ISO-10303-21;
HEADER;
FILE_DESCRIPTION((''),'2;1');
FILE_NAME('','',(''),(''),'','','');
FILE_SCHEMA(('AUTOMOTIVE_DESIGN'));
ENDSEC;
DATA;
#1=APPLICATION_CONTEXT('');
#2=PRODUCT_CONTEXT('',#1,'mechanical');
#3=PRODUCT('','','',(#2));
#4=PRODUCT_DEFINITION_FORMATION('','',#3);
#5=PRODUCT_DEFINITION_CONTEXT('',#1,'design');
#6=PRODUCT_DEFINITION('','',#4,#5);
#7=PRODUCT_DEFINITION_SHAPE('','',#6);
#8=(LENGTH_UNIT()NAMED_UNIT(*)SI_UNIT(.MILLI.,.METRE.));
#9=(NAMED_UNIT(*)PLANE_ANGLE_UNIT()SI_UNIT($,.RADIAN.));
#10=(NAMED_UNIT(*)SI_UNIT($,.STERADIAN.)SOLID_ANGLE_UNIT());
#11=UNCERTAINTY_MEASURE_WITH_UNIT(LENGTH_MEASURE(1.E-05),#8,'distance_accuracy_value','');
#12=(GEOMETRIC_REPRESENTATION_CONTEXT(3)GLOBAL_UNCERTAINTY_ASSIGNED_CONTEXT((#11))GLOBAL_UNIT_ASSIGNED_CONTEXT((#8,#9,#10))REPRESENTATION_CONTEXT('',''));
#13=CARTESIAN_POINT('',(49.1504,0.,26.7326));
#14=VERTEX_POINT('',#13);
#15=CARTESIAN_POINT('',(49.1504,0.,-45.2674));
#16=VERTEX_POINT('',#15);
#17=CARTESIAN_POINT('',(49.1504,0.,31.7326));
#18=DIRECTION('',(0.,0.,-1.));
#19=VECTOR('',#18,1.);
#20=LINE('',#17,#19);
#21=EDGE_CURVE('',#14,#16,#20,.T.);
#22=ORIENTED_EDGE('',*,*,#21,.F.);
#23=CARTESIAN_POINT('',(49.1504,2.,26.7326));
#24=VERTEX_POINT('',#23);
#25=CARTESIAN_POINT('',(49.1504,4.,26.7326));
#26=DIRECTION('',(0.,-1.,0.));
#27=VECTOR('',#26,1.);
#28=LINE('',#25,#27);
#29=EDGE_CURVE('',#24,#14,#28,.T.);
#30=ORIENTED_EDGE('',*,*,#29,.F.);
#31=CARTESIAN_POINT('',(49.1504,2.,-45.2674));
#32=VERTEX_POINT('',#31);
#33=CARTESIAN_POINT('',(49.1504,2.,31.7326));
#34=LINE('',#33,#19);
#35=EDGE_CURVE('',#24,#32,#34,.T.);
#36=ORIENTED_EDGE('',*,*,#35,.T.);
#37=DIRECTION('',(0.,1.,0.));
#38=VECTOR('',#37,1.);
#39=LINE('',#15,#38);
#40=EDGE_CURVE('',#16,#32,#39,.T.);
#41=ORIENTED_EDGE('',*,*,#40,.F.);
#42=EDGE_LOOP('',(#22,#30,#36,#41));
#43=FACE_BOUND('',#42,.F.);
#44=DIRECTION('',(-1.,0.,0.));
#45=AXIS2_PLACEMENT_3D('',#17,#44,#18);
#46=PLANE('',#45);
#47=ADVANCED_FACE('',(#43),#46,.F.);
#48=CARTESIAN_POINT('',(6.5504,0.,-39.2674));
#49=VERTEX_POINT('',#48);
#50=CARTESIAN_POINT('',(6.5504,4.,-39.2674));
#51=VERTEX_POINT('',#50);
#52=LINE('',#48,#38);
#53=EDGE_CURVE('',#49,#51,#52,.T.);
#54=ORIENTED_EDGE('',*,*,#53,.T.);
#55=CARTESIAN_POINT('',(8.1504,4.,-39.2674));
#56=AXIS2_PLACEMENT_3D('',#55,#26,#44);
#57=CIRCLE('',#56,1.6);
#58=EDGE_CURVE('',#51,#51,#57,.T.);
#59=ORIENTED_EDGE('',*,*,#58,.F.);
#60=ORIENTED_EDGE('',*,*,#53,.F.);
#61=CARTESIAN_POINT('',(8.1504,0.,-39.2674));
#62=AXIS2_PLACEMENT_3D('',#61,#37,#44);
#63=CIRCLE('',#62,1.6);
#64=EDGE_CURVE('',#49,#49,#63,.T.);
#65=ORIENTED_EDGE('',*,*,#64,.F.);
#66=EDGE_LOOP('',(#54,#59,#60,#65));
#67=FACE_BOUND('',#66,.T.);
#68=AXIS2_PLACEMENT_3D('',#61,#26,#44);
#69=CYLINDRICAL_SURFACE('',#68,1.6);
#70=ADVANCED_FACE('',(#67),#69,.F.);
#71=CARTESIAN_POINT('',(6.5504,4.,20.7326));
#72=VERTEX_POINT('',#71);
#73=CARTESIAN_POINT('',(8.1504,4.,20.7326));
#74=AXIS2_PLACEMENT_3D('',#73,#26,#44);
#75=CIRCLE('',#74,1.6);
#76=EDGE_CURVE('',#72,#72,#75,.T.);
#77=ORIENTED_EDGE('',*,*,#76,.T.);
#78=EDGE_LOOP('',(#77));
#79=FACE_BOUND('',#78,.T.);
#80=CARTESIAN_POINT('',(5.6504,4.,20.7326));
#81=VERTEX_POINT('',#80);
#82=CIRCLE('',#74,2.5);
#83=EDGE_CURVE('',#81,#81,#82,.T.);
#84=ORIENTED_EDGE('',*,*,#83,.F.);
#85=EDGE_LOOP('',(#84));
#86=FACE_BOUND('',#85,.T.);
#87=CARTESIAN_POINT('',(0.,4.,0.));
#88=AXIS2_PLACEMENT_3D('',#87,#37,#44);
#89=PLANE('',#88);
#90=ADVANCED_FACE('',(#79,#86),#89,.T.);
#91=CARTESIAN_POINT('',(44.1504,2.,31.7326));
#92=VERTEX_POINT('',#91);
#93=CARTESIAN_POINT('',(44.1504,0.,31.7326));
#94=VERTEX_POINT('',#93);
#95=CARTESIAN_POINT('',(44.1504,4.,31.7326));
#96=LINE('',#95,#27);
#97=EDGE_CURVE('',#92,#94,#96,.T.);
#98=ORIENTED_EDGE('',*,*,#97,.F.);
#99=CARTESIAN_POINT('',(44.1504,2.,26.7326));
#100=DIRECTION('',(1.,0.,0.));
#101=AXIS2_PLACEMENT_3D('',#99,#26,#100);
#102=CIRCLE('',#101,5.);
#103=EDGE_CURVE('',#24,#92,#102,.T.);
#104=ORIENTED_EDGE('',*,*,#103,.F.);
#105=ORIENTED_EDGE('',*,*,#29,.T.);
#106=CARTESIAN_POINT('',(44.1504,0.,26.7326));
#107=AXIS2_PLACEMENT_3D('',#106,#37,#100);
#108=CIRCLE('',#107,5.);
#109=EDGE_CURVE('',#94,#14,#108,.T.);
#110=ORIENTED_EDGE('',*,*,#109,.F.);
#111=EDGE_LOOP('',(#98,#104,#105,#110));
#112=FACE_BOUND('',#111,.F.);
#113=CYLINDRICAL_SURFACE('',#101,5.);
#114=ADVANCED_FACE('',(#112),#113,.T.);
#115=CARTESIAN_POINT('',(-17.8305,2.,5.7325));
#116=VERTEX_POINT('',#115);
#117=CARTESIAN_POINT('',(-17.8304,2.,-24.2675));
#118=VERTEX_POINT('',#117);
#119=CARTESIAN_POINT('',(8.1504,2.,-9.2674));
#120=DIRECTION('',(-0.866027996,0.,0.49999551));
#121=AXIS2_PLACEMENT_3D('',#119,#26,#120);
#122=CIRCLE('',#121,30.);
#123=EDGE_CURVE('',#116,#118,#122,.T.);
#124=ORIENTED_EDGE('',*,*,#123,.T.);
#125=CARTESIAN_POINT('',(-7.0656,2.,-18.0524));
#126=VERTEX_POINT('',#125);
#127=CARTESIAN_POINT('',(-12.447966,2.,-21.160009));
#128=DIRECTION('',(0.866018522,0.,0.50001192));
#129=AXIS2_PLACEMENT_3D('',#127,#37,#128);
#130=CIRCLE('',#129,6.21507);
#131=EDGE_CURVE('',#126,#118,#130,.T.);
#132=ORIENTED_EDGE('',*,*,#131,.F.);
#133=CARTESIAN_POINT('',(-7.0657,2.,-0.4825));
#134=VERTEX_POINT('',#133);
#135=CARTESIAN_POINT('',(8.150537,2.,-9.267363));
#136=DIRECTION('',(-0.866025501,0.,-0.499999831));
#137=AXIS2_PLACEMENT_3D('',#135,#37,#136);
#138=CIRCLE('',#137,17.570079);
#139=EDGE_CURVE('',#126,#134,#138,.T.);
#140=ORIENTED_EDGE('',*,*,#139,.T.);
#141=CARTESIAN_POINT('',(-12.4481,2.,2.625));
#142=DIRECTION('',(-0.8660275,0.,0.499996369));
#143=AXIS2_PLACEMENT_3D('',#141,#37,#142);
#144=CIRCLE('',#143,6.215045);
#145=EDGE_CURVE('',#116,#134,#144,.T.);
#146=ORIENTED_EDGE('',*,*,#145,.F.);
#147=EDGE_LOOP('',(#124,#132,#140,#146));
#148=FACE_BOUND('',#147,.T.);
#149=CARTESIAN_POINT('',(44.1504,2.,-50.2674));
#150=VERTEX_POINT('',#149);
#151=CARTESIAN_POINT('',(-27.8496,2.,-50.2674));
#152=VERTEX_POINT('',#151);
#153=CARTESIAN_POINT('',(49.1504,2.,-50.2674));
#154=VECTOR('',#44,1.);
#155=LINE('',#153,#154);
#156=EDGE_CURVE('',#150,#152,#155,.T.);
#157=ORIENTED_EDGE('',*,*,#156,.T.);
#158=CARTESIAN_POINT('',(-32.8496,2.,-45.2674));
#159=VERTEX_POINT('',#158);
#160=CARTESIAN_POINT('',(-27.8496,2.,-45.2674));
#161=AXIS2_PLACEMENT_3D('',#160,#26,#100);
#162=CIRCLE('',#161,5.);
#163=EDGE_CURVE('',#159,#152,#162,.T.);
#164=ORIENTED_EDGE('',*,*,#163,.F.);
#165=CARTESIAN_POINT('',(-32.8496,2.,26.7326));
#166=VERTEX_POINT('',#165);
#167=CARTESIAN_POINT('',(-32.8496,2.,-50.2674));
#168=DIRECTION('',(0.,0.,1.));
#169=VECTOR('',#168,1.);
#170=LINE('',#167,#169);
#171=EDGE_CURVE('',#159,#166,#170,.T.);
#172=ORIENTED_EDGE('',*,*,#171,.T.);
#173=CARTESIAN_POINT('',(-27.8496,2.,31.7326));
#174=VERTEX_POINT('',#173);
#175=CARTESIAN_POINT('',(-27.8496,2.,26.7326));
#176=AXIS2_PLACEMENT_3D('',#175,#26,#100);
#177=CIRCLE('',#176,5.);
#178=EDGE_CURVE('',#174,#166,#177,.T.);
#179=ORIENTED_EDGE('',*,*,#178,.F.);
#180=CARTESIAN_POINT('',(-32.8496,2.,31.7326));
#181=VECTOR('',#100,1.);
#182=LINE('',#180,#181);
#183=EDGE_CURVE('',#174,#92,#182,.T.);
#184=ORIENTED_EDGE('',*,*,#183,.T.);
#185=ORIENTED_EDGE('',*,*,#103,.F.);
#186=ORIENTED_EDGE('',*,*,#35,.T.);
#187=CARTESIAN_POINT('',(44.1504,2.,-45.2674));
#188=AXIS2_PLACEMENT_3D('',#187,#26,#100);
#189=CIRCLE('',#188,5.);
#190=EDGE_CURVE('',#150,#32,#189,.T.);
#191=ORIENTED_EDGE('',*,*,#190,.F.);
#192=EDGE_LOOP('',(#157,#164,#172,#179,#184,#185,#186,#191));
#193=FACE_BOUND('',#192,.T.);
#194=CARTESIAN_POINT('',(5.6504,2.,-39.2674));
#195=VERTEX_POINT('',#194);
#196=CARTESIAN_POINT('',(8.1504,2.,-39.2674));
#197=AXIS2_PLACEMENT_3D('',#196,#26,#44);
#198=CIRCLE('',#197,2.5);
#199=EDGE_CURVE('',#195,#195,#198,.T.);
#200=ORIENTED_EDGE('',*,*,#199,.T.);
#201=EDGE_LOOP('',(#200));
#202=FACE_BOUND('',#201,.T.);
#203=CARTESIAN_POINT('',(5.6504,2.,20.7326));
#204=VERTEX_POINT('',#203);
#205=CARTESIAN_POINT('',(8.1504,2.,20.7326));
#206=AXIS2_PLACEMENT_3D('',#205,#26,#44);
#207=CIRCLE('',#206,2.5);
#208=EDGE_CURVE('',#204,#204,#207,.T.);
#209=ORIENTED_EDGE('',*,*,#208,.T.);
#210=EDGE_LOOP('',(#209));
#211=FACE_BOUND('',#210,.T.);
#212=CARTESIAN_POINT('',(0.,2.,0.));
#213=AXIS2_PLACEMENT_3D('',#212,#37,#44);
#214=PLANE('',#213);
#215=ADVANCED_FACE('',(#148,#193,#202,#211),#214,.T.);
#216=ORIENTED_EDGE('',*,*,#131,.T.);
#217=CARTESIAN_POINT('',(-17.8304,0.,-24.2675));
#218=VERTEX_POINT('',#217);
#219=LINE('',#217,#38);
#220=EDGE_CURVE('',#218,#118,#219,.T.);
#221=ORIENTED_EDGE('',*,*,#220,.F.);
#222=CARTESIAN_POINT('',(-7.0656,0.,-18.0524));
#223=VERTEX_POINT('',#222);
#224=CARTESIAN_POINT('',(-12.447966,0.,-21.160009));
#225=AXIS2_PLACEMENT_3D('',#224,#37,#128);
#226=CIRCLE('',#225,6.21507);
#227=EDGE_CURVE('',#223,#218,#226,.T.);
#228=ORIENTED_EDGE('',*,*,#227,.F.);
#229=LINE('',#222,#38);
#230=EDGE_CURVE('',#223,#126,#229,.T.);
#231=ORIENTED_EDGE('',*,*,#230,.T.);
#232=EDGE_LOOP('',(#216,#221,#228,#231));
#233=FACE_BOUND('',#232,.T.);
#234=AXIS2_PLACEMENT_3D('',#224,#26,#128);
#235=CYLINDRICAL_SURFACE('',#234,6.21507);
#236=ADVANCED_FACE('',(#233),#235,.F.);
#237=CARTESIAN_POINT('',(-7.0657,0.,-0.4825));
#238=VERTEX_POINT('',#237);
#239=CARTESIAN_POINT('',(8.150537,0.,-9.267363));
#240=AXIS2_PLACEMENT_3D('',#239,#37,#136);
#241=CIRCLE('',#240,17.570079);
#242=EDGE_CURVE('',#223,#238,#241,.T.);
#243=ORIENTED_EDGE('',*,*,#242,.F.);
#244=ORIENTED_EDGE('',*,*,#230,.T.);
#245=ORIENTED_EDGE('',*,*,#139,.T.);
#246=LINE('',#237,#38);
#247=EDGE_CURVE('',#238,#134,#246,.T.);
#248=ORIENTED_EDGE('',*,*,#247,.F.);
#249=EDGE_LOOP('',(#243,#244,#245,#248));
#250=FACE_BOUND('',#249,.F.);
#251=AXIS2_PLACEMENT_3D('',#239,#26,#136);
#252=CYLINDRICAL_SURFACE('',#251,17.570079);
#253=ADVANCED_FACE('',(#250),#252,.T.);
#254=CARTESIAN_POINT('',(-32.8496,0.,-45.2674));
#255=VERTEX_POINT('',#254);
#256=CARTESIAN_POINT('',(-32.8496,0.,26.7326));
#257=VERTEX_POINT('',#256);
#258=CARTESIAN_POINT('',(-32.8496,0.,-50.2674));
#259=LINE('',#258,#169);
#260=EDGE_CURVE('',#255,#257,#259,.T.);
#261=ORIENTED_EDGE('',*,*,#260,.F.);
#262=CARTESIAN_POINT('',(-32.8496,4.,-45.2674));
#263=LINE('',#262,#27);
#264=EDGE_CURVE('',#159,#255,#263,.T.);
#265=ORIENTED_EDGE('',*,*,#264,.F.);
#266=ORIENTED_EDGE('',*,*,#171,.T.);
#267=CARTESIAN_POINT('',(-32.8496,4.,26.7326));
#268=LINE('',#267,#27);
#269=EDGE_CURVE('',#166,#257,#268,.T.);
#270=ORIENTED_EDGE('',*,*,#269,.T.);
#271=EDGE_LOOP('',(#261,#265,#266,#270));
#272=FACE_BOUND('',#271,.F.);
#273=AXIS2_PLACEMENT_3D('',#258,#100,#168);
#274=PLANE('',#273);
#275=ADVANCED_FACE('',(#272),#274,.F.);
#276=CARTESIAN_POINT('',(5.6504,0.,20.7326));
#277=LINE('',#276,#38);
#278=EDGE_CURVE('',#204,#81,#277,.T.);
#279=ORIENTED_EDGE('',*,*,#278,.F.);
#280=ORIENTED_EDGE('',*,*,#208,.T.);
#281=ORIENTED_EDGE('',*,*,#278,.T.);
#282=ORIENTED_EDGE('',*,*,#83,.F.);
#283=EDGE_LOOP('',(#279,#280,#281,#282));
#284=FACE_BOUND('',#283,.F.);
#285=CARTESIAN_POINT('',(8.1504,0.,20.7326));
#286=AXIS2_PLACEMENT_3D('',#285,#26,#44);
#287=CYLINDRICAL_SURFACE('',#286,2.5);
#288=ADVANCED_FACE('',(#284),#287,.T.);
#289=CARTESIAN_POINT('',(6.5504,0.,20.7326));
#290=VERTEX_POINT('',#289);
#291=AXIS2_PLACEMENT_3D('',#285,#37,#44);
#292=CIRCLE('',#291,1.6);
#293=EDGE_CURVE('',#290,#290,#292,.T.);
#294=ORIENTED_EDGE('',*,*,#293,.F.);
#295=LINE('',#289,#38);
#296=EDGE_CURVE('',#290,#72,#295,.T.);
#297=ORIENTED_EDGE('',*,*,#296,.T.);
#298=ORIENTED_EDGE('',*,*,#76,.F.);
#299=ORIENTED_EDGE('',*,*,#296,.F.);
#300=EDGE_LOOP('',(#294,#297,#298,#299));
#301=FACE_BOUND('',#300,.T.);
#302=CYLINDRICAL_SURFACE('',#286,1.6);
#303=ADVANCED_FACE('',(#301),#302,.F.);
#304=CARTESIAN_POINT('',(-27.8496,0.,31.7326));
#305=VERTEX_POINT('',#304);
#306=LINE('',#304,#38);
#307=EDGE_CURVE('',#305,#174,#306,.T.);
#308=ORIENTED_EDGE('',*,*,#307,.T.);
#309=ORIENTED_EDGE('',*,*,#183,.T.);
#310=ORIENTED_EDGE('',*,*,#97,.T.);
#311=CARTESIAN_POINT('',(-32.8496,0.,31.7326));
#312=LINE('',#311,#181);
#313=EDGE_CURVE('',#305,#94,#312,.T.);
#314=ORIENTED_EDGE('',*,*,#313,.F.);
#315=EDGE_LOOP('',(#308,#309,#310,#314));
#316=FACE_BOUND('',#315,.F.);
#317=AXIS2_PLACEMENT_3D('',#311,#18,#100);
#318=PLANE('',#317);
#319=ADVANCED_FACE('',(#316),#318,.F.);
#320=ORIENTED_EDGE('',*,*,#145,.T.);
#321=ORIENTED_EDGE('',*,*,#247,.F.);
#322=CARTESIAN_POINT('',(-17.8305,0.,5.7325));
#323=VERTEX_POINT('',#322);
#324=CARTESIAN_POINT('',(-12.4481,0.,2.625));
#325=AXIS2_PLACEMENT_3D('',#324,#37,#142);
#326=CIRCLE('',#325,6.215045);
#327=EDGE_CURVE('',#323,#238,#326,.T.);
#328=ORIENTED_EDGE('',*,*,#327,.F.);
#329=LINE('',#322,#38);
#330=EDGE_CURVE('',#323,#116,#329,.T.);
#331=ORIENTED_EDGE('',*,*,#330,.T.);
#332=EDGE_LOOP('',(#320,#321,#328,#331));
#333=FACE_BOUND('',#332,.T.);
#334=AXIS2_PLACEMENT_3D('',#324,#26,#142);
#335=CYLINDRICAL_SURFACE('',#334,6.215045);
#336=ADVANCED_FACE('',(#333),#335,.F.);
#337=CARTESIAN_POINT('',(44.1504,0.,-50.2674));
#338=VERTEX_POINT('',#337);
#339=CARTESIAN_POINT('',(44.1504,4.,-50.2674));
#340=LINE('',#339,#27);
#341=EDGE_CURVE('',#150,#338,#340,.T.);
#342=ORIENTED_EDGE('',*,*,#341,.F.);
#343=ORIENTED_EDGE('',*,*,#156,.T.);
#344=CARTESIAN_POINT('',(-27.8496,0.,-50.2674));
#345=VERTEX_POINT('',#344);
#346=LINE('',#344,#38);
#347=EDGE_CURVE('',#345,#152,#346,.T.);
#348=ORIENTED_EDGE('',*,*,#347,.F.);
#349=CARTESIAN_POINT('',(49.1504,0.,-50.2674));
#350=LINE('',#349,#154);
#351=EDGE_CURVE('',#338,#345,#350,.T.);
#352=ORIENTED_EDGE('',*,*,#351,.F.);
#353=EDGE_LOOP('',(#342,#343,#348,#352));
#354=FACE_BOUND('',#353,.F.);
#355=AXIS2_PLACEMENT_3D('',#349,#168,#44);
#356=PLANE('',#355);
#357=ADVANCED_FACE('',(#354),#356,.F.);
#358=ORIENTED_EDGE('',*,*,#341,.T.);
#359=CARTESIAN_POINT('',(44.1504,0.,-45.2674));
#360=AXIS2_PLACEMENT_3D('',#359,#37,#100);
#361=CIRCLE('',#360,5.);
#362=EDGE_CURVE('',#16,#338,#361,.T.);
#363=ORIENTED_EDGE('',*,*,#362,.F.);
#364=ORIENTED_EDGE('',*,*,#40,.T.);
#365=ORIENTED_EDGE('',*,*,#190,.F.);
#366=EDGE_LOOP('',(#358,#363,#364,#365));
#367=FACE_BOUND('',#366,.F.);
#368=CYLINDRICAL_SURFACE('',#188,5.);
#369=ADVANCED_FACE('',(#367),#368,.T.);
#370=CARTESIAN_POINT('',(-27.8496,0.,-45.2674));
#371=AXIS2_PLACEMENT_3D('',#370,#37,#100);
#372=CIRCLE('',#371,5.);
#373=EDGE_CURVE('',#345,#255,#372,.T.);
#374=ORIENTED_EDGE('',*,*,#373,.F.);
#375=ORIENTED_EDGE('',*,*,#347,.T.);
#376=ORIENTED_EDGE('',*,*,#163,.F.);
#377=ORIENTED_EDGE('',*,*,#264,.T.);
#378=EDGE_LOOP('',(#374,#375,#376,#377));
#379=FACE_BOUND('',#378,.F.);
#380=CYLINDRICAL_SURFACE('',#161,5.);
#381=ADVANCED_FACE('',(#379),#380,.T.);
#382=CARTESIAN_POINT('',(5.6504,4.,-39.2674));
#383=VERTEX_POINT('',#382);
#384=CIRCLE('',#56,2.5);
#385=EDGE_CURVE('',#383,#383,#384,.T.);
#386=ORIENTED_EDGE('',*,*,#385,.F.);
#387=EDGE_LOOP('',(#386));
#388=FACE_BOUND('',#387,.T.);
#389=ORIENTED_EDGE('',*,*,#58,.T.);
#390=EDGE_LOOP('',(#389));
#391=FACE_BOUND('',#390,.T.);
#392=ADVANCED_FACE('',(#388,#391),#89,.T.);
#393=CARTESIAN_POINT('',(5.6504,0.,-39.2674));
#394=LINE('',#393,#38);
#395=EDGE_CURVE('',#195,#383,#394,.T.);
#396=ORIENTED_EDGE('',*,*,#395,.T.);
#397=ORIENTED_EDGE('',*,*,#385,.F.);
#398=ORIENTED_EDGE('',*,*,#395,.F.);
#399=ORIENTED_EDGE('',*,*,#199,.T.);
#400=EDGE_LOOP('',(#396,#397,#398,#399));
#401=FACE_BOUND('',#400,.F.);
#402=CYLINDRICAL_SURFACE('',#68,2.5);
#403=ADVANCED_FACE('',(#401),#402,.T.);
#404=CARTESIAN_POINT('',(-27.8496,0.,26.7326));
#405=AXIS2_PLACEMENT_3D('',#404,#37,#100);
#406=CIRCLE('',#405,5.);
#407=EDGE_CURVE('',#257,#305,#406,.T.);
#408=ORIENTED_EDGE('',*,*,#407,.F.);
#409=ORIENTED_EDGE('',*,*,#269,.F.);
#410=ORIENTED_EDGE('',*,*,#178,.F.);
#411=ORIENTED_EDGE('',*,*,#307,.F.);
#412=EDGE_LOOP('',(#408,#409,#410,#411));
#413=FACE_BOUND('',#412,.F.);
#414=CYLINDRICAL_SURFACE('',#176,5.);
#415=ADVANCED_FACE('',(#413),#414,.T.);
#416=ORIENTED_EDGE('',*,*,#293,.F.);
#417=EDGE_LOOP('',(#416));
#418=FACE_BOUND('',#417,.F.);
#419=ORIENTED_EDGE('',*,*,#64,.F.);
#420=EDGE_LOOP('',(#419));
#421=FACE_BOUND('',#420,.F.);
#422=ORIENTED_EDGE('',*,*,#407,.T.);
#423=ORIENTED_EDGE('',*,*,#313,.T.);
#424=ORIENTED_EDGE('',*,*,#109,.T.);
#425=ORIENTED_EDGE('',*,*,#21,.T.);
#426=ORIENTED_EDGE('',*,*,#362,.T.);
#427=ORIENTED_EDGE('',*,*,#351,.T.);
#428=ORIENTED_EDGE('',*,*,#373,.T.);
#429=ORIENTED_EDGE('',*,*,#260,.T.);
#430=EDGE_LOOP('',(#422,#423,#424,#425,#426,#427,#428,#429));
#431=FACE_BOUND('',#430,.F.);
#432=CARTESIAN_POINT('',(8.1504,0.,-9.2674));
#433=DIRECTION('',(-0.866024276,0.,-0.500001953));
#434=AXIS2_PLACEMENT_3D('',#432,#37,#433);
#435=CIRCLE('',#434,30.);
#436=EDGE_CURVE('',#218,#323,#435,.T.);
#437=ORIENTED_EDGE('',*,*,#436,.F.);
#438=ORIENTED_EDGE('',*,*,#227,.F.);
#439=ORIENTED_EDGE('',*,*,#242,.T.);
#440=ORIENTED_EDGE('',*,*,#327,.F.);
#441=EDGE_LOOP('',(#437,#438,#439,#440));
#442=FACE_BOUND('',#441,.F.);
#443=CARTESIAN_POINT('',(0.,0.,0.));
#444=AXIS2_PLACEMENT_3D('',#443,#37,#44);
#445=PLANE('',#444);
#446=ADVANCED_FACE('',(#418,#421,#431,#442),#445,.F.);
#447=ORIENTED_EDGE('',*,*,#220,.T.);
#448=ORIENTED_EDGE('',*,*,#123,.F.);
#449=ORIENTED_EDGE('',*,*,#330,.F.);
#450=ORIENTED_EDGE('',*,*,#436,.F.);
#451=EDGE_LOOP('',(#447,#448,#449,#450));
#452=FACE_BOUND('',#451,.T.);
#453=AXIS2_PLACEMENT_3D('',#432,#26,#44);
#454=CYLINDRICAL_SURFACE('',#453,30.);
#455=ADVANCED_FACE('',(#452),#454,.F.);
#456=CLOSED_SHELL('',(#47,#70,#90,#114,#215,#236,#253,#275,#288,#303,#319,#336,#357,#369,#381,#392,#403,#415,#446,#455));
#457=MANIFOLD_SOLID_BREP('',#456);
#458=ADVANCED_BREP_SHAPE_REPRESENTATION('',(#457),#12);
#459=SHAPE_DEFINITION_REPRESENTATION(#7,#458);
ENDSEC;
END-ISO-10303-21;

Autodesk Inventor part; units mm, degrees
ref_plane "YZ Plane" through (0, 0, 0) normal (1, 0, 0) x (0, 1, 0)
ref_plane "XZ Plane" through (0, 0, 0) normal (0, 1, 0) x (-1, 0, 0)
ref_plane "XY Plane" through (0, 0, 0) normal (0, 0, 1) x (1, 0, 0)
sketch "Sketch1" plane through (0, 0, 0) normal (0, 1, 0) x (-1, 0, 0)
  line L0 (32.8496, 31.7326) -> (-49.1504, 31.7326)
  line L1 (-49.1504, 31.7326) -> (-49.1504, -50.2674)
  line L2 (-49.1504, -50.2674) -> (32.8496, -50.2674)
  line L3 (32.8496, -50.2674) -> (32.8496, 31.7326)
  circle A0 centre (-8.1504, -9.2674) radius 30
  circle A1 centre (-8.1504, -39.2674) radius 2.5
  circle A2 centre (-8.1504, 20.7326) radius 2.5
  circle A3 centre (-8.1504, -39.2674) radius 1.6
  circle A4 centre (-8.1504, 20.7326) radius 1.6
  arc A5 (12.448, -21.16) -> (12.4481, 2.625) centre (-8.1504, -9.2674) ccw construction
  arc A6 (17.8304, -24.2675) -> (17.8305, 5.7325) centre (-8.1504, -9.2674) ccw
  arc A7 (7.0656, -18.0524) -> (7.0657, -0.4825) centre (-8.1504, -9.2674) ccw
  arc A8 (7.0656, -18.0524) -> (17.8304, -24.2675) centre (12.448, -21.16) ccw
  arc A9 (17.8305, 5.7325) -> (7.0657, -0.4825) centre (12.4481, 2.625) ccw
  line L4 (-8.1504, -9.2674) -> (12.448, -21.16) construction
  line L5 (-8.1504, -9.2674) -> (12.4481, 2.625) construction
  point P0 (0, 0)
  point P1 (17.8304, -24.2675)
  point P2 (17.8305, 5.7325)
  dimension "d0" = 82
  dimension "d1" = 82
  dimension "d2" = 60
  dimension "d3" = 5
  dimension "d4" = 5
  dimension "d5" = 3.2
  dimension "d6" = 3.2
  dimension "d7" = 60
extrude "Extrusion1" add sketch "Sketch1" along normal blind 2 contours L3 L2 L1 L0 | A9 A7 A8 A0 A1 A2
extrude "Extrusion2" add sketch "Sketch1" along normal blind 4 contours A2 A0 A4 | A0 A4 A2 | A1 A0 A3 | A0 A3 A1
sketch "Sketch2" plane through (0, 2, 0) normal (0, 1, 0) x (1, 0, 0)
  line L0 (49.1504, -31.7326) -> (49.1504, 50.2674) projected
  line L1 (49.1504, 50.2674) -> (-32.8496, 50.2674) projected
  line L2 (-32.8496, 50.2674) -> (-32.8496, -31.7326) projected
  line L3 (-32.8496, -31.7326) -> (49.1504, -31.7326) projected
  circle A0 centre (8.1504, -20.7326) radius 2.5 projected
  circle A1 centre (8.1504, 39.2674) radius 2.5 projected
  arc A2 (-7.0656, 18.0524) -> (-17.8304, 24.2675) centre (-12.448, 21.16) ccw projected
  arc A3 (-7.0656, 18.0524) -> (-7.0657, 0.4825) centre (8.1504, 9.2674) ccw projected
  arc A4 (-17.8305, -5.7325) -> (-7.0657, 0.4825) centre (-12.4481, -2.625) ccw projected
  arc A5 (-17.8304, 24.2675) -> (-17.8305, -5.7325) centre (8.1504, 9.2674) ccw projected
  circle A6 centre (-27.8496, 45.2674) radius 5
  circle A7 centre (-27.8496, -26.7326) radius 5
  circle A8 centre (44.1504, 45.2674) radius 5
  circle A9 centre (44.1504, -26.7326) radius 5
  point P0 (0, 0)
  point P1 (-27.8496, -31.7326)
  point P2 (-32.8496, -26.7326)
  point P3 (49.1504, -26.7326)
  point P4 (44.1504, -31.7326)
  point P5 (44.1504, 50.2674)
  point P6 (49.1504, 45.2674)
  point P7 (-32.8496, 45.2674)
  point P8 (-27.8496, 50.2674)
  dimension "d12" = 10
  dimension "d13" = 0
  dimension "d14" = 0
  dimension "d15" = 10
  dimension "d16" = 0
  dimension "d17" = 10
  dimension "d18" = 0
  dimension "d19" = 10
extrude "Extrusion3" cut sketch "Sketch2" along normal mid plane 4 contours L3 A9 L0 | A8 L1 L0 | L3 L2 A7 | A6 L2 L1
sketch "Sketch3" plane through (0, 2, 0) normal (0, 1, 0) x (1, 0, 0)
  line L0 (44.1504, 50.2674) -> (-27.8496, 50.2674) projected
  line L1 (-27.8496, -31.7326) -> (44.1504, -31.7326) projected
  point P0 (0, 0)
  dimension "d22" = 82
properties part number "controler_01"
